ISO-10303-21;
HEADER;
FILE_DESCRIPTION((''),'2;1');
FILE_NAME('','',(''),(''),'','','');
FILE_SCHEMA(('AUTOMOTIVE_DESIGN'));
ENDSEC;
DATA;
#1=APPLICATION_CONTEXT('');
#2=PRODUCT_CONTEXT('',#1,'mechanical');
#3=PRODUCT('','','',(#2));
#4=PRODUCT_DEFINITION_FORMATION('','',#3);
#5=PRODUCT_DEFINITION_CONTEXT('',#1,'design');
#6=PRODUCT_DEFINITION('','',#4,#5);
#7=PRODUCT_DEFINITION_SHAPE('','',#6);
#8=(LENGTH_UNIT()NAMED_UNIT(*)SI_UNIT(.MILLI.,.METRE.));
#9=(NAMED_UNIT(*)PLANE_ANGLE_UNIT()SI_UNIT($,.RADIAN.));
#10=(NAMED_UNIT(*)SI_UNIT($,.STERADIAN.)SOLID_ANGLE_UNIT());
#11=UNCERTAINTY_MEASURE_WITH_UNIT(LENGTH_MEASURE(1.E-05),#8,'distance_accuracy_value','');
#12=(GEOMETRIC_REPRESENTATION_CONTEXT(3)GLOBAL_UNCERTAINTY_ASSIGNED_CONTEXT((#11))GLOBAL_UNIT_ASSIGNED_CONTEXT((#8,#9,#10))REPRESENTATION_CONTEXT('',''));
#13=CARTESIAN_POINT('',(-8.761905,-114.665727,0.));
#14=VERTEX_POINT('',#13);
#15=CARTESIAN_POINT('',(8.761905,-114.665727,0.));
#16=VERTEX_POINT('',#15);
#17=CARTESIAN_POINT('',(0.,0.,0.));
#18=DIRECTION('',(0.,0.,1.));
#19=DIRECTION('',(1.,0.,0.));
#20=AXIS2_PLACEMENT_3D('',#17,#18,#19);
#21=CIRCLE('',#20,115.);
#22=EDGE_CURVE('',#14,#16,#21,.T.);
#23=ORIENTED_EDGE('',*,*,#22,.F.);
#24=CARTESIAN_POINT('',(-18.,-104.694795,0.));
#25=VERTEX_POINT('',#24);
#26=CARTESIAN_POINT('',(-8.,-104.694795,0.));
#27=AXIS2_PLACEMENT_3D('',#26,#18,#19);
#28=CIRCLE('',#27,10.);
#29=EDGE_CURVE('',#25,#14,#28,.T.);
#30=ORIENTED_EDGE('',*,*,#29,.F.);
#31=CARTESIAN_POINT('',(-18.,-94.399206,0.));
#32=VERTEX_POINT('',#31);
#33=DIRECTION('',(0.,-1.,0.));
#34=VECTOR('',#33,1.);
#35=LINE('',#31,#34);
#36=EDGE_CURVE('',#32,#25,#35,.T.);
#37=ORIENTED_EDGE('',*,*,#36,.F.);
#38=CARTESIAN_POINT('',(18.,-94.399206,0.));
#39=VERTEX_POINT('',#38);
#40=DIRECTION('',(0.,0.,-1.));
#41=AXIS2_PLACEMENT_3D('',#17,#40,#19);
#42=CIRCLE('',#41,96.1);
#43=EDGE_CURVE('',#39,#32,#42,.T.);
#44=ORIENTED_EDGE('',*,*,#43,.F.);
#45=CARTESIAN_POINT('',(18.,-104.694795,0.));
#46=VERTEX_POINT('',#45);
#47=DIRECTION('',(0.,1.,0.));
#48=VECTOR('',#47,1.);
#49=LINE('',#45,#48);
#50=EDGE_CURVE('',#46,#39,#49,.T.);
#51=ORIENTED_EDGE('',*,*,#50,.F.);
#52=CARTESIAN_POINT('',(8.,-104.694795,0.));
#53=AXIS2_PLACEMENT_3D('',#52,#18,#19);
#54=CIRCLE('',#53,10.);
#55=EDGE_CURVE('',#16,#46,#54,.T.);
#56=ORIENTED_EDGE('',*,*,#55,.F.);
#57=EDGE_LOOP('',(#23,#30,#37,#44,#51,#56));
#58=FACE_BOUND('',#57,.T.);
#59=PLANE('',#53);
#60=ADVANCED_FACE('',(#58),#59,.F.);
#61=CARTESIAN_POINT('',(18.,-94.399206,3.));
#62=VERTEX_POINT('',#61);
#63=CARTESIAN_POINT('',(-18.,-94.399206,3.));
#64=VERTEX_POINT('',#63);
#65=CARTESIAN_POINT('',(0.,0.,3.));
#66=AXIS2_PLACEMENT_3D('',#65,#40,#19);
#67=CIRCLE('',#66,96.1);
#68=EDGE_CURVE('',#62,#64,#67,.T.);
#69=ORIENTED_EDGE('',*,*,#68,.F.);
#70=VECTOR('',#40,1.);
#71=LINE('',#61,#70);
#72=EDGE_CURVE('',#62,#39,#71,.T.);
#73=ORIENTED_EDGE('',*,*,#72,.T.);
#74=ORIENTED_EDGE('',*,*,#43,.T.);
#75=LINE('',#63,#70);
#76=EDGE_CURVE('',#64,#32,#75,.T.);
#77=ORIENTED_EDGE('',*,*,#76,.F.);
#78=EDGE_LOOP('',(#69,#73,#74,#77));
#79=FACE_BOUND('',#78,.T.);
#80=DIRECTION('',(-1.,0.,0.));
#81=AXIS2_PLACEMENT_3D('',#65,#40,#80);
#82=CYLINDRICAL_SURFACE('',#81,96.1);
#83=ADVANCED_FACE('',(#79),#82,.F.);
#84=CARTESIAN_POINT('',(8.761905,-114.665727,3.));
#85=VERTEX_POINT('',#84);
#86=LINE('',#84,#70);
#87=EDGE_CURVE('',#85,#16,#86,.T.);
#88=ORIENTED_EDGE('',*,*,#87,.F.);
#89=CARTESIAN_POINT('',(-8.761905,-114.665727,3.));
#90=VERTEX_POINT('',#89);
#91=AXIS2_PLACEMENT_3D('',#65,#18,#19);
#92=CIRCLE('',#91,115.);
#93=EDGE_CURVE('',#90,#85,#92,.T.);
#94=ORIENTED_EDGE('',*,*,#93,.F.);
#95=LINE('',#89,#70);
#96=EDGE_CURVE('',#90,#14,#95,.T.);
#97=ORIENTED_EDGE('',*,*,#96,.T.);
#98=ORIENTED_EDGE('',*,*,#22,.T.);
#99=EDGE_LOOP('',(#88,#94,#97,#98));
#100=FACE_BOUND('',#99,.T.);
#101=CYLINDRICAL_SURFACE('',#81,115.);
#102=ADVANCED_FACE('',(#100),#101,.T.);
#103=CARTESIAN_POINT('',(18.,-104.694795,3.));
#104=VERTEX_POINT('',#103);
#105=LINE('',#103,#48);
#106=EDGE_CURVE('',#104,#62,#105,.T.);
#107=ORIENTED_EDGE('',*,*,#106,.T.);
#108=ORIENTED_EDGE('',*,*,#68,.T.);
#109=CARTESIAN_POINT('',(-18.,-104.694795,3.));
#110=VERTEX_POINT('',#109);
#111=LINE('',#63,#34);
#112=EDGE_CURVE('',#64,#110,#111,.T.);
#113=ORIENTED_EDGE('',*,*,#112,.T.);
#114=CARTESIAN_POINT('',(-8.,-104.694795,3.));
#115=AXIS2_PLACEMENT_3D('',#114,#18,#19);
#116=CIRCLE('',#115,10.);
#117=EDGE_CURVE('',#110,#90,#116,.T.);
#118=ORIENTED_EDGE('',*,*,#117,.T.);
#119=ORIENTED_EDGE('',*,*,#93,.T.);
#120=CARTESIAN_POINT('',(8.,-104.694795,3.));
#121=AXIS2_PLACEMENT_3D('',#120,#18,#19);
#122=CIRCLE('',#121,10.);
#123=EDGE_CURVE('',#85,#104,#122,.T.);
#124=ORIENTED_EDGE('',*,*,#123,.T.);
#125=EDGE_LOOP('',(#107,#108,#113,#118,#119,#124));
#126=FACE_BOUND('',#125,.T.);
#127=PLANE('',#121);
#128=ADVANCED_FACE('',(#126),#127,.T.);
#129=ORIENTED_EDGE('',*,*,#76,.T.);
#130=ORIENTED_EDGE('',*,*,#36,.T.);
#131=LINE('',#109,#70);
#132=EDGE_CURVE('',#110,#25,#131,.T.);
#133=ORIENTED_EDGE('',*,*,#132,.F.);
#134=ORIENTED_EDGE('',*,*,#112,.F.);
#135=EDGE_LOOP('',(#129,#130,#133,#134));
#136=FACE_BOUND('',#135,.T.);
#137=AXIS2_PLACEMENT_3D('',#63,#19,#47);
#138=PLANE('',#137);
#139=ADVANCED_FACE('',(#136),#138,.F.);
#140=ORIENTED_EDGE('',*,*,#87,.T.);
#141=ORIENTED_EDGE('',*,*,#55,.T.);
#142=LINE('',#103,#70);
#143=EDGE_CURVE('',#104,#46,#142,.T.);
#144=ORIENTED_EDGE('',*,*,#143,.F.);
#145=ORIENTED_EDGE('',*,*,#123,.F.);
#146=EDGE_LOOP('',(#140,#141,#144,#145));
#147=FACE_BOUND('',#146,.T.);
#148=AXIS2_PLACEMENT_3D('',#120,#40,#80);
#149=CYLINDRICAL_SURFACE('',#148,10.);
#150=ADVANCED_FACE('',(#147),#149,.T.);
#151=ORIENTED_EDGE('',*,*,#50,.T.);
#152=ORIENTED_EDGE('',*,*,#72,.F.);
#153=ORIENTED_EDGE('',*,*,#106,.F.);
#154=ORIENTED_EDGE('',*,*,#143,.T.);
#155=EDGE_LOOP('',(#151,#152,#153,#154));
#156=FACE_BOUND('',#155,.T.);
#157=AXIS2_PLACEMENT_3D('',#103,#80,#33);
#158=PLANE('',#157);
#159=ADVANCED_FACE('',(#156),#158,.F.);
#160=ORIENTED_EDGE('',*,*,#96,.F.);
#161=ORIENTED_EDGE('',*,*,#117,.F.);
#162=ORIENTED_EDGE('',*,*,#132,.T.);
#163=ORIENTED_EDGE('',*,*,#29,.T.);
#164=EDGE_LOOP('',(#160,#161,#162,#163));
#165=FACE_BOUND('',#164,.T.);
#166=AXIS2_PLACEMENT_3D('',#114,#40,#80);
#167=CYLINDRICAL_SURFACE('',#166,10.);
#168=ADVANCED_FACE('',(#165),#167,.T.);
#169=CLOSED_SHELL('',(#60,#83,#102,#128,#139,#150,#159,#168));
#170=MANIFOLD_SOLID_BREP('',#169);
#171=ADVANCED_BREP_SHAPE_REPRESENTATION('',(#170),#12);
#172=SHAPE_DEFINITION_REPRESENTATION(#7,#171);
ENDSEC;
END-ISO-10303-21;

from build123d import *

# Parameters (mm, degrees)
BOSS_EXTRUDE1_DEPTH = 3


with BuildPart() as part:
    # Sketch2 → Boss-Extrude1 (new body)
    with BuildSketch(Plane.XY):
        with BuildLine():
            Line((18, -104.694794522), (18, -94.399205505))
            ThreePointArc((18, -94.399205505), (0, -96.1), (-18, -94.399205505))
            Line((-18, -94.399205505), (-18, -104.694794522))
            ThreePointArc((-18, -104.694794522), (-15.335497516, -111.49115209), (-8.761904762, -114.665727334))
            ThreePointArc((-8.761904762, -114.665727334), (0, -115), (8.761904762, -114.665727334))
            ThreePointArc((8.761904762, -114.665727334), (13.812374448, -112.832134584), (17.184851944, -108.649348197))
            ThreePointArc((17.184851944, -108.649348197), (17.794093103, -106.713640797), (18, -104.694794522))
        make_face()
    extrude(amount=BOSS_EXTRUDE1_DEPTH)


solid = part.part
